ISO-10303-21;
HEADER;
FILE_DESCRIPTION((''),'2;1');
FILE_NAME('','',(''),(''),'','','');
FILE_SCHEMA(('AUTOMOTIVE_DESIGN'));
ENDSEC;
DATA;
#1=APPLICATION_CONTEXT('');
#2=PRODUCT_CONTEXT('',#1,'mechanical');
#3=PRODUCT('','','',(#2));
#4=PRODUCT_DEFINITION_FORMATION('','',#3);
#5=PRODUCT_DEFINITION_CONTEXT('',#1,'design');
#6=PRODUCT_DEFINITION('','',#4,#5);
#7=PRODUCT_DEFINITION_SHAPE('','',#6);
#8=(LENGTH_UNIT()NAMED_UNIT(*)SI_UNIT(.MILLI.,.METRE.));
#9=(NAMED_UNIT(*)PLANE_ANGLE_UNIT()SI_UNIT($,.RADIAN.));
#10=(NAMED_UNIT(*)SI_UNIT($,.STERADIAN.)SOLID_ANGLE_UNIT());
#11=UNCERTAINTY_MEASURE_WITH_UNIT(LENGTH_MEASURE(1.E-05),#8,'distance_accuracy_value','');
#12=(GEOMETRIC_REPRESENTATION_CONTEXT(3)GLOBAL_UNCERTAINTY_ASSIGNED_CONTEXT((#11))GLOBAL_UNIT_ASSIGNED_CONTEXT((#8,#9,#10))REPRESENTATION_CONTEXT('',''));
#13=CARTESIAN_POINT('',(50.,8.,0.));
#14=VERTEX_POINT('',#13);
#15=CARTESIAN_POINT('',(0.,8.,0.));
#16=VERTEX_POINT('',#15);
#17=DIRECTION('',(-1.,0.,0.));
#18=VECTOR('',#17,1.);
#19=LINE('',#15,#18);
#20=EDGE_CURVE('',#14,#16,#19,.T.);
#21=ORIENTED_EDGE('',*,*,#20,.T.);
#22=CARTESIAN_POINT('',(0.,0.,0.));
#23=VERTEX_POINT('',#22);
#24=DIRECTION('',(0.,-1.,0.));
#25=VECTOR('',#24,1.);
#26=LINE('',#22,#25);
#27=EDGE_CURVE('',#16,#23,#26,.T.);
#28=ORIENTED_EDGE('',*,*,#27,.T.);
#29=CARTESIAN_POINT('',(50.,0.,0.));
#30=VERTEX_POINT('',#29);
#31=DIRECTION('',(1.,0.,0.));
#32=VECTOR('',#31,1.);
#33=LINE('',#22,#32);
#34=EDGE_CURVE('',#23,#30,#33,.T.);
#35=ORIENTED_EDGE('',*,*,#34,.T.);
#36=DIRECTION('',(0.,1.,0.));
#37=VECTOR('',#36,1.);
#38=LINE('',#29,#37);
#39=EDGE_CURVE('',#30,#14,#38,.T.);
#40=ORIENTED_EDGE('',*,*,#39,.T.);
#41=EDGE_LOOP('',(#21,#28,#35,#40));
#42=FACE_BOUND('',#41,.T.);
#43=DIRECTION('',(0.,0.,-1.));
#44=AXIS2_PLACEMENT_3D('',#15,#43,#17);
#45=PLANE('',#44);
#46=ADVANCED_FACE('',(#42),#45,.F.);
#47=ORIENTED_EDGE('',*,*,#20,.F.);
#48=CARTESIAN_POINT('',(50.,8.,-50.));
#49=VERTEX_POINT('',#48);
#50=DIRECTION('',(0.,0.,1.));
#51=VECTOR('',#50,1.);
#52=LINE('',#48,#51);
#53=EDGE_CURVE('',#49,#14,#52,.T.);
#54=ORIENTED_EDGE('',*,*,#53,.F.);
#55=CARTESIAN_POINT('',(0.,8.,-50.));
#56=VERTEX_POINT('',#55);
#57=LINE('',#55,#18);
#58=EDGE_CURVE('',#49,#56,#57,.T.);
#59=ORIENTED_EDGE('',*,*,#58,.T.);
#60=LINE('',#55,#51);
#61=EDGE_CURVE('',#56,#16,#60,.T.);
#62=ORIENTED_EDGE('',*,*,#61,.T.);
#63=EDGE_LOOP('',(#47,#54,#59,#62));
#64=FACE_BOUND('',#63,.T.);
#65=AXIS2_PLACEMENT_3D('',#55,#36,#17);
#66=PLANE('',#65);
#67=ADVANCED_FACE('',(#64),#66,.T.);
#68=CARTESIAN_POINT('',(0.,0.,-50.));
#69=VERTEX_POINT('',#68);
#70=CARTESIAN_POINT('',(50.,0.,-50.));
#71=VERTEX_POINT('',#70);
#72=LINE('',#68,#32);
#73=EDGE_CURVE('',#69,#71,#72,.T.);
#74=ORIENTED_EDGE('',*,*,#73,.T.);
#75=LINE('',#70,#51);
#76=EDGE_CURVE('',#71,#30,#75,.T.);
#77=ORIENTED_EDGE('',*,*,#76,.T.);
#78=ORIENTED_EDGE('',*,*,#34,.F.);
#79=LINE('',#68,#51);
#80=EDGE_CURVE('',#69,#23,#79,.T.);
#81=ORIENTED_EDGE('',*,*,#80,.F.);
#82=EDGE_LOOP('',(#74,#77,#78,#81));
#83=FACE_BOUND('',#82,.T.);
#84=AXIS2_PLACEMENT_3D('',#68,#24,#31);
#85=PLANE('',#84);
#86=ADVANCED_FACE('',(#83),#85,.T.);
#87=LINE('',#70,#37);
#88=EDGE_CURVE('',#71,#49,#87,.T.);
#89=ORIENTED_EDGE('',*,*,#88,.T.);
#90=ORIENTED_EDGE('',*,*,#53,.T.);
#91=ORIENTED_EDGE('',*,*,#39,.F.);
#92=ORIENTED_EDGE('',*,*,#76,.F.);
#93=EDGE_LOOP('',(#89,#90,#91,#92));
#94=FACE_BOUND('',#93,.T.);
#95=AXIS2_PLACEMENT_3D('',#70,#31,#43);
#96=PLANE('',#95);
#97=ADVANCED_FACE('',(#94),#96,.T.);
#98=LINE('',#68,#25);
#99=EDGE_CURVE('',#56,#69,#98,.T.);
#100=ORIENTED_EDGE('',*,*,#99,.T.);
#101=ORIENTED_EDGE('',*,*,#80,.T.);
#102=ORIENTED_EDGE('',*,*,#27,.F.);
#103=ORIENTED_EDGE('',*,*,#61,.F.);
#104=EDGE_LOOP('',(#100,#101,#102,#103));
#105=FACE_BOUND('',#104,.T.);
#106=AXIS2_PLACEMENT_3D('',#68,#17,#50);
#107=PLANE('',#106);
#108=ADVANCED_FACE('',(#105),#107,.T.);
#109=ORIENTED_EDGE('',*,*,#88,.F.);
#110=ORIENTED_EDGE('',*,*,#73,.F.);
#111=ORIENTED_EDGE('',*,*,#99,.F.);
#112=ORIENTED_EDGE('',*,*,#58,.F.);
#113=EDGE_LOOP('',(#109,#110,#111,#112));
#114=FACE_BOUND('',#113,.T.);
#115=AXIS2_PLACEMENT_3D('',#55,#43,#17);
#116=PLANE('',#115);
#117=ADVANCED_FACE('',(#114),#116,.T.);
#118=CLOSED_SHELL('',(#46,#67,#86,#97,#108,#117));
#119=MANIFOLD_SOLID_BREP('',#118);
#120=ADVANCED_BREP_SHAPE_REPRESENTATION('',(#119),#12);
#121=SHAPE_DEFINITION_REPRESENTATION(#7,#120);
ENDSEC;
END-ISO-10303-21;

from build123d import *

# Parameters (mm, degrees)
SKETCH1_W          = 50
SKETCH1_H          = 8
BASE_EXTRUDE_DEPTH = 50


with BuildPart() as part:
    # Sketch1 → Base-Extrude (new body)
    with BuildSketch(Plane.XY):
        with Locations((25, 4)):
            Rectangle(SKETCH1_W, SKETCH1_H)
    extrude(amount=-BASE_EXTRUDE_DEPTH)


solid = part.part
